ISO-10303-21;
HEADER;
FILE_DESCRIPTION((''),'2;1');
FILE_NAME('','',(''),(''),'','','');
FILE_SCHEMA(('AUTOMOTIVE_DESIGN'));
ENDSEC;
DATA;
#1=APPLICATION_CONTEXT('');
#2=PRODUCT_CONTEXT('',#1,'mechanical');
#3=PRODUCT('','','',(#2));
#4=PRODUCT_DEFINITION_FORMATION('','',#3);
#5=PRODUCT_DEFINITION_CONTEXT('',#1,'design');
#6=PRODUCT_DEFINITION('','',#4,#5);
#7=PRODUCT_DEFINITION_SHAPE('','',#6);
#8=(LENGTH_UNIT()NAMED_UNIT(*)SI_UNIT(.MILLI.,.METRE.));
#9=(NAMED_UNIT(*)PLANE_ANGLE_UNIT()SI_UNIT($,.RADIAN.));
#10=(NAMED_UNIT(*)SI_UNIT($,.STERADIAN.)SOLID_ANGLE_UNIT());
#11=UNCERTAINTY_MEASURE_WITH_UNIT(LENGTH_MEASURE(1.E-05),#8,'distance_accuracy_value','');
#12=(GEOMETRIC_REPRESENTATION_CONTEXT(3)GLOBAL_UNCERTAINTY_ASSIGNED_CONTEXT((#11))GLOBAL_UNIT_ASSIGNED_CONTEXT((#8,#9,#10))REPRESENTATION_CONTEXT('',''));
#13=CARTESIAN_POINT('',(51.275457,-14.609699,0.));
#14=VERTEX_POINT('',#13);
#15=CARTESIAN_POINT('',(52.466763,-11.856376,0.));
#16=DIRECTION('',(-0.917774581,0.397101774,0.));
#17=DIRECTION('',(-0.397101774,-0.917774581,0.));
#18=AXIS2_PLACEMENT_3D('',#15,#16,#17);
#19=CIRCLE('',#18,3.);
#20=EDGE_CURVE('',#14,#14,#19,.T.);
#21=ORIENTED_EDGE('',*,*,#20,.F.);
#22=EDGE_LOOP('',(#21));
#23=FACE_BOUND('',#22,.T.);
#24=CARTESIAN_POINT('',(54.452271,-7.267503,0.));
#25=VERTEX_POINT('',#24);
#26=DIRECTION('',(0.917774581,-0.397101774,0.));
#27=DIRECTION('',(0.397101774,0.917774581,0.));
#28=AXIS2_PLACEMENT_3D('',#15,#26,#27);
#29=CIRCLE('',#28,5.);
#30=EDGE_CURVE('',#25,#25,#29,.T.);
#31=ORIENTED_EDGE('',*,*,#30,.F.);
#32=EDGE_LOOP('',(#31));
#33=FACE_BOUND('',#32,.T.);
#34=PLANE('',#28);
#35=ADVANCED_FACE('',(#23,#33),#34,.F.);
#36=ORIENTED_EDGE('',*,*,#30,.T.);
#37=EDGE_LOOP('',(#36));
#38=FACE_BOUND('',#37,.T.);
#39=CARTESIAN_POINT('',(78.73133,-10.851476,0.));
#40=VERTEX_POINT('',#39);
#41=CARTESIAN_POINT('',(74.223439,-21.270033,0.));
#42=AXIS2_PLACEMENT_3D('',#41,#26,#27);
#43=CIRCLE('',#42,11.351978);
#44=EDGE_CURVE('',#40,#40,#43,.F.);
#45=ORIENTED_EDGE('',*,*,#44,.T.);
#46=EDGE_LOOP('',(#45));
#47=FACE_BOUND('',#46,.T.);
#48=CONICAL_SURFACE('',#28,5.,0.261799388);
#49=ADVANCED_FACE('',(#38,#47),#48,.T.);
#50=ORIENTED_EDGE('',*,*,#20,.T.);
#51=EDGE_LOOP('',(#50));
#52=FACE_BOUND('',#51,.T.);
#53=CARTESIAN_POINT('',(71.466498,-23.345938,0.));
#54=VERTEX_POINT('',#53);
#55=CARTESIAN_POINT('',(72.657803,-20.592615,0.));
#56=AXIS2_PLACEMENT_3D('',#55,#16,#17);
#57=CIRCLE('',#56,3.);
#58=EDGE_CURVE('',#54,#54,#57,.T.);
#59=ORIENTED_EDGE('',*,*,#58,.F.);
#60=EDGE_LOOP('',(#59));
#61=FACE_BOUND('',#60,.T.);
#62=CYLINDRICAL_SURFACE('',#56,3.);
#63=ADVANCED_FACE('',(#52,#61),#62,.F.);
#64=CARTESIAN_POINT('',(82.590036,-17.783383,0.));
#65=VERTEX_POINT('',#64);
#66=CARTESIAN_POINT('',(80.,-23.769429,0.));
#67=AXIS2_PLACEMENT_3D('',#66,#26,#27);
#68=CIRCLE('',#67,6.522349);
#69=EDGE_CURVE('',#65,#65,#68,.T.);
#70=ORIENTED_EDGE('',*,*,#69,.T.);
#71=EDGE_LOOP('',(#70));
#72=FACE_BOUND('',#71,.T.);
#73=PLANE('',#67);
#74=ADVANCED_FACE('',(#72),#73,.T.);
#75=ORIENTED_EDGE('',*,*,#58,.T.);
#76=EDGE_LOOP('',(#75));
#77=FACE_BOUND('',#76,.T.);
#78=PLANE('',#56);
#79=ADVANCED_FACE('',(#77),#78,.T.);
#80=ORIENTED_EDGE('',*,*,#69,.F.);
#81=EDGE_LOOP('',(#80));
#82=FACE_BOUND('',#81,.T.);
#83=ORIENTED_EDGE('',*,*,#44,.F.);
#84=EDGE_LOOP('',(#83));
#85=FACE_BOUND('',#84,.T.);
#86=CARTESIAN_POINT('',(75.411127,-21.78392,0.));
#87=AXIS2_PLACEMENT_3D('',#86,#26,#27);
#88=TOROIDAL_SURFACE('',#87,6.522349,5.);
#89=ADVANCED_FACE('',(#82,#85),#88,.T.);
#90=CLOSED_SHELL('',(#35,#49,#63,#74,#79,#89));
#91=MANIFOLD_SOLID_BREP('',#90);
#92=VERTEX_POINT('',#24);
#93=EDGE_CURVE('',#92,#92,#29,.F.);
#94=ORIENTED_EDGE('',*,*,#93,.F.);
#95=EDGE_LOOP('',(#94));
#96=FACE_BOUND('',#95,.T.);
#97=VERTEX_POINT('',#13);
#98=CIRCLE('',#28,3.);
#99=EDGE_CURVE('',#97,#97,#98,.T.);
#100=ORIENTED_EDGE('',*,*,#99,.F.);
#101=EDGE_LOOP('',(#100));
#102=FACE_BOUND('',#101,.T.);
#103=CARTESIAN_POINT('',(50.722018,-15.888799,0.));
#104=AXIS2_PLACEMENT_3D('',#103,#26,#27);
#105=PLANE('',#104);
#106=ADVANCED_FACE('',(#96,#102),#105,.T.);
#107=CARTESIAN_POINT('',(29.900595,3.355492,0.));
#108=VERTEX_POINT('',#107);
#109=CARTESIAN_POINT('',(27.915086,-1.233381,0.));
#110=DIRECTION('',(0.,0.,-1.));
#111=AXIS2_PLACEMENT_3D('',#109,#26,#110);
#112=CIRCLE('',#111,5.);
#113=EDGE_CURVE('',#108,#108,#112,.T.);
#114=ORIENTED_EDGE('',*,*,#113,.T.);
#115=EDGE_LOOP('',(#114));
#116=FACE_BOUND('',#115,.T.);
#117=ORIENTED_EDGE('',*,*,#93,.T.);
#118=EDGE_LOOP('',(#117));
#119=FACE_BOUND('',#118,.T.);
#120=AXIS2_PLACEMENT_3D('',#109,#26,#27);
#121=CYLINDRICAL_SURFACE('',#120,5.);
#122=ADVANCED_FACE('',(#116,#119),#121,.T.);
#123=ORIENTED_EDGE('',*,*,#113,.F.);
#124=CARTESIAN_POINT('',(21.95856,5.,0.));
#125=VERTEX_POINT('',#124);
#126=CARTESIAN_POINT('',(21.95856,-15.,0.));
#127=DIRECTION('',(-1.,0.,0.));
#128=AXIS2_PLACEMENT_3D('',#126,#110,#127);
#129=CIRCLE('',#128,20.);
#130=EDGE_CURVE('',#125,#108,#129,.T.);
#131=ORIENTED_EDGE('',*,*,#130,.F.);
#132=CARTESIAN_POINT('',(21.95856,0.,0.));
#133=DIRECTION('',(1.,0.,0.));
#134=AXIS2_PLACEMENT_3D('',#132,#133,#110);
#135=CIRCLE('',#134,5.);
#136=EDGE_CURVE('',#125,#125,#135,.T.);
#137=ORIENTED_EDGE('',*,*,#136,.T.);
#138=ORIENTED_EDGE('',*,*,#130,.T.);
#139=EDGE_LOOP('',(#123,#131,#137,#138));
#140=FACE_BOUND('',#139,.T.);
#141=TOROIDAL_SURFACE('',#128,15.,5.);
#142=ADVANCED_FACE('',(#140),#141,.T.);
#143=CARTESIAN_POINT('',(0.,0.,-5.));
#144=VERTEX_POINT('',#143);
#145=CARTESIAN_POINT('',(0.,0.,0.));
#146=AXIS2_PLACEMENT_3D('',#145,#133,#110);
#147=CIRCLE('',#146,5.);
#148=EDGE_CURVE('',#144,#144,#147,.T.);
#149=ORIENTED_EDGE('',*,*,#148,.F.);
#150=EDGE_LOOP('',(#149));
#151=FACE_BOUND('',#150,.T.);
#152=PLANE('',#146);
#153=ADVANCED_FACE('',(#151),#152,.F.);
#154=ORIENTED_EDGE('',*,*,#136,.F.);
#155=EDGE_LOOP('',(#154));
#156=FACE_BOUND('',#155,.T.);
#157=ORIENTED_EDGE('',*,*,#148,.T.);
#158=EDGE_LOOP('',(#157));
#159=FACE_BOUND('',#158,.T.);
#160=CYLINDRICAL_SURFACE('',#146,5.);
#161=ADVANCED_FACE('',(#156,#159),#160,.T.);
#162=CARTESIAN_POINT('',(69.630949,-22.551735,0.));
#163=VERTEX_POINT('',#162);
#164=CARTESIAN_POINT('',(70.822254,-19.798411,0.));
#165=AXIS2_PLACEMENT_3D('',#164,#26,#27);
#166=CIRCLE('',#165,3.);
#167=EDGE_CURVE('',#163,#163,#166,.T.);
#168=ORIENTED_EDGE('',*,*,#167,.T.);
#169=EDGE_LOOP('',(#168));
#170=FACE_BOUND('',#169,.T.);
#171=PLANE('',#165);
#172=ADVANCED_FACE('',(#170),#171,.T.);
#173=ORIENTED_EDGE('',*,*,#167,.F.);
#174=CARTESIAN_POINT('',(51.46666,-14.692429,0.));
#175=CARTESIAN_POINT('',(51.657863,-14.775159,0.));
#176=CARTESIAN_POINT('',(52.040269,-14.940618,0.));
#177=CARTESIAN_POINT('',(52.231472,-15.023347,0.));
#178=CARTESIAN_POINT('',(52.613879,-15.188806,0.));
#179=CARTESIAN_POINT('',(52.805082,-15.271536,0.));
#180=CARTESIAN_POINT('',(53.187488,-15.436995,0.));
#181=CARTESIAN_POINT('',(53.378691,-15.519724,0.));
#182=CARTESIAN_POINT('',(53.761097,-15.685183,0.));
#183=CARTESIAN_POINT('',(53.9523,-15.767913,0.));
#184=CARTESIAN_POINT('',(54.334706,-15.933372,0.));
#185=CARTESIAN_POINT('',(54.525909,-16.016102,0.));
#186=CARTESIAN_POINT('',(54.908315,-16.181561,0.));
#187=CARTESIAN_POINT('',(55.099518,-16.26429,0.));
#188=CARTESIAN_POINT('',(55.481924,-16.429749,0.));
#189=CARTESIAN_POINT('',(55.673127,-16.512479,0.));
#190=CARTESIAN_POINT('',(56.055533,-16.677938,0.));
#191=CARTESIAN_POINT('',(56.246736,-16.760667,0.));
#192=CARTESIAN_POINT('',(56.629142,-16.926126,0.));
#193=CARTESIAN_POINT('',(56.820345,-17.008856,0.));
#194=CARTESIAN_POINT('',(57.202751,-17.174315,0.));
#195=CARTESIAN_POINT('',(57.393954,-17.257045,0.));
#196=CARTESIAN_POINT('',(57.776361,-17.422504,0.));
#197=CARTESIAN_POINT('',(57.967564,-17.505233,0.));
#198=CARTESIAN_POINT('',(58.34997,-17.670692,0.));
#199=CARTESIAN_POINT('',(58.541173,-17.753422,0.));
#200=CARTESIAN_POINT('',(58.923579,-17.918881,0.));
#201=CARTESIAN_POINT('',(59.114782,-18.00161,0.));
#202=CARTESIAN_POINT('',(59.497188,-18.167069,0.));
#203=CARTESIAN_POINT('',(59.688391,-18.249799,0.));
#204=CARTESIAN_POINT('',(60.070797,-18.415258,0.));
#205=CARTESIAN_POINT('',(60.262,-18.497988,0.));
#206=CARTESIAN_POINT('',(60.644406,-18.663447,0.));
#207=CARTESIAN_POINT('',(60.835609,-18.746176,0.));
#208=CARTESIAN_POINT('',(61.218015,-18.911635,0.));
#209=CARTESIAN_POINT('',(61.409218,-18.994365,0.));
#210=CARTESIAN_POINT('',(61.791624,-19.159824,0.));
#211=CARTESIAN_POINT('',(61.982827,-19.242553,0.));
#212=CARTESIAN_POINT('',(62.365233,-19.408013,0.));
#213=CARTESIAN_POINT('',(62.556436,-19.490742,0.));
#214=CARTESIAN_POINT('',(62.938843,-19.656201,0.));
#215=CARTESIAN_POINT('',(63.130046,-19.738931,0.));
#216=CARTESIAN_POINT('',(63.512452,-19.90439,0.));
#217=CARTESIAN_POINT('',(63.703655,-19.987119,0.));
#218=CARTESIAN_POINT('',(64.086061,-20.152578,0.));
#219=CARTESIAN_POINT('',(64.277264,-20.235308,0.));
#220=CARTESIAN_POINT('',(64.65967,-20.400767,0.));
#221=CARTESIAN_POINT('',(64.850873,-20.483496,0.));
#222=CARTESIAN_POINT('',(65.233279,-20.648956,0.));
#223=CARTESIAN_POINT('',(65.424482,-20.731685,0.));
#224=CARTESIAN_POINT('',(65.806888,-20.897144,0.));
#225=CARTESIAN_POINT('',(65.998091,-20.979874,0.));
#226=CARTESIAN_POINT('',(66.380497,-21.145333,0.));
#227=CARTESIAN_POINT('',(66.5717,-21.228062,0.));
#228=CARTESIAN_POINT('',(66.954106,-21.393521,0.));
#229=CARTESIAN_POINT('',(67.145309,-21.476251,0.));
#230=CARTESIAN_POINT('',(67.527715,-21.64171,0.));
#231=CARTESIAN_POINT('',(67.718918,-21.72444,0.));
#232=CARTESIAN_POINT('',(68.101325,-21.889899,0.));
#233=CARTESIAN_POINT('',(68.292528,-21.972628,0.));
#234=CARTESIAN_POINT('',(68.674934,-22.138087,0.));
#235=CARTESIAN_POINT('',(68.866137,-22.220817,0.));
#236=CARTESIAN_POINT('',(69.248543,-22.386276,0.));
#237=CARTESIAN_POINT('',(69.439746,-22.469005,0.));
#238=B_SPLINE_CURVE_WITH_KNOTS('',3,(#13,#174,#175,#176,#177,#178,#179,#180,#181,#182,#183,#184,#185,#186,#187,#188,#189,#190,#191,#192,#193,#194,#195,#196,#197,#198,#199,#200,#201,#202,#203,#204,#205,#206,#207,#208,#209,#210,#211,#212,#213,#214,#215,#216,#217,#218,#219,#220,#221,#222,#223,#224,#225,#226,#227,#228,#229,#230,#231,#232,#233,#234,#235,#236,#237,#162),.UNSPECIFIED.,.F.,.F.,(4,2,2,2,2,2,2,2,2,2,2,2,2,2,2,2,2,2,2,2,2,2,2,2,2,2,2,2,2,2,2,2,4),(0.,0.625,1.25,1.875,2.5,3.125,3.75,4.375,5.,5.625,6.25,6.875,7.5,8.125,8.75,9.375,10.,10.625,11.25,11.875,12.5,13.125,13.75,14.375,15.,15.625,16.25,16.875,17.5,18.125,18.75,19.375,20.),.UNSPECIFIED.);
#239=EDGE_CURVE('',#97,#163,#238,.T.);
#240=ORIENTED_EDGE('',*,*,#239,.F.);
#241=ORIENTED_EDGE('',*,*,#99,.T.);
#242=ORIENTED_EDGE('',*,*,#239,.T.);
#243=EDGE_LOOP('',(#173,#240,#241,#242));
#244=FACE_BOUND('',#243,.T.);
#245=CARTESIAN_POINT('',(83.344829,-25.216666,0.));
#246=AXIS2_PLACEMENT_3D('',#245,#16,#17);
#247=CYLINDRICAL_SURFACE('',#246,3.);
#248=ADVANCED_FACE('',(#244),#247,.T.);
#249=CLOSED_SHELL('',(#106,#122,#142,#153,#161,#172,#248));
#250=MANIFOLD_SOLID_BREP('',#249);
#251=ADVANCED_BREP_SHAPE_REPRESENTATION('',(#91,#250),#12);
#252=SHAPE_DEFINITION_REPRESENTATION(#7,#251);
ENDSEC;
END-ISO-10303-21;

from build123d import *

# Parameters (mm, degrees)
SKETCH_2_R          = 5
SKETCH_4_OUTSIDE_W  = 29.816
SKETCH_4_OUTSIDE_H  = 82.988
SKETCH_4_OUTSIDE_R  = 3
CUT_EXTRUDE_1_DEPTH = 56.264642542
CUT_EXTRUDE_START   = -10
SKETCH_5_R          = 3
CUT_EXTRUDE_2_DEPTH = 10
SKETCH_6_R          = 5
EXTRUDE_1_DEPTH     = 30
EXTRUDE_1_DRAFT     = -15
FILLET_1_R          = 5
SKETCH_7_R          = 3
CUT_EXTRUDE_3_DEPTH = 22


with BuildPart() as part:
    # По траектории1: sweep along a path in Эскиз1
    with BuildLine(Plane.XY) as sweep_1_path:
        Line((0, 0), (21.958559609, 0))
        ThreePointArc((21.958559609, 0), (25, -0.311581421), (27.915086215, -1.233381287))
        Line((27.915086215, -1.233381287), (80, -23.7694289))
    # Эскиз2 → По траектории1 (sweep)
    with BuildSketch(Plane(origin=(0, 0, 0), x_dir=(0, 0, -1), z_dir=(1, 0, 0))):
        Circle(SKETCH_2_R)
    sweep(path=sweep_1_path.line)

    # Эскиз4 outside → Вырез-Вытянуть1 (cut, through all)
    with BuildSketch(Plane(origin=(48.514343393, -20.991136841, 0), x_dir=(0, 0, -1), z_dir=(0.9177745808471026, -0.3971017737947355, 0))):
        with Locations((0, 5.559)):
            Rectangle(SKETCH_4_OUTSIDE_W, SKETCH_4_OUTSIDE_H)
        with Locations(Location((0, 9.953164258, 0), (0, 0, 270))):
            Circle(SKETCH_4_OUTSIDE_R, mode=Mode.SUBTRACT)
    extrude(amount=CUT_EXTRUDE_1_DEPTH, mode=Mode.SUBTRACT)

    # Эскиз5 → Вырез-Вытянуть2 (cut)
    with BuildSketch(Plane(origin=(76.047580818, -32.904190055, 0), x_dir=(0, 0, -1), z_dir=(0.9177745808471026, -0.3971017737947355, 0)).offset(CUT_EXTRUDE_START)):
        with Locations(Location((0, 9.953164258, 0), (0, 0, 270))):
            Circle(SKETCH_5_R)
    extrude(amount=CUT_EXTRUDE_2_DEPTH, mode=Mode.SUBTRACT)


with BuildPart() as body_2:
    # Эскиз6 → Бобышка-Вытянуть1 (with draft: the straight prism first)
    with BuildSketch(Plane(origin=(48.514343393, -20.991136841, 0), x_dir=(0, 0, -1), z_dir=(0.9177745808471026, -0.3971017737947355, 0))):
        with Locations(Location((0, 9.953164258, 0), (0, 0, 90))):
            Circle(SKETCH_6_R)
    extrude(amount=EXTRUDE_1_DEPTH)
    # Бобышка-Вытянуть1: the draft: its side faces are tilted about the plane it starts from
    extrude_1_sides = [body_2.faces().sort_by_distance(p)[0] for p in [
        (64.247872418, -22.401775197, 0),
    ]]
    draft(extrude_1_sides, Plane(origin=(48.514343393, -20.991136841, 0), x_dir=(0, 0, -1), z_dir=(0.9177745808471026, -0.3971017737947355, 0)), EXTRUDE_1_DRAFT)

    # Скругление1
    fillet_1_edges = [body_2.edges().sort_by_distance(p)[0] for p in [
        (74.822398143, -35.735810537, 0),
    ]]
    fillet(fillet_1_edges, radius=FILLET_1_R)

    # Эскиз7 → Вырез-Вытянуть3 (cut)
    with BuildSketch(Plane(origin=(48.514343393, -20.991136841, 0), x_dir=(0, 0, 1), z_dir=(-0.9177745808471026, 0.3971017737947356, 0))):
        with Locations(Location((0, 9.953164258, 0), (0, 0, 270))):
            Circle(SKETCH_7_R)
    extrude(amount=-CUT_EXTRUDE_3_DEPTH, mode=Mode.SUBTRACT)


solid = Compound([part.part, body_2.part])
